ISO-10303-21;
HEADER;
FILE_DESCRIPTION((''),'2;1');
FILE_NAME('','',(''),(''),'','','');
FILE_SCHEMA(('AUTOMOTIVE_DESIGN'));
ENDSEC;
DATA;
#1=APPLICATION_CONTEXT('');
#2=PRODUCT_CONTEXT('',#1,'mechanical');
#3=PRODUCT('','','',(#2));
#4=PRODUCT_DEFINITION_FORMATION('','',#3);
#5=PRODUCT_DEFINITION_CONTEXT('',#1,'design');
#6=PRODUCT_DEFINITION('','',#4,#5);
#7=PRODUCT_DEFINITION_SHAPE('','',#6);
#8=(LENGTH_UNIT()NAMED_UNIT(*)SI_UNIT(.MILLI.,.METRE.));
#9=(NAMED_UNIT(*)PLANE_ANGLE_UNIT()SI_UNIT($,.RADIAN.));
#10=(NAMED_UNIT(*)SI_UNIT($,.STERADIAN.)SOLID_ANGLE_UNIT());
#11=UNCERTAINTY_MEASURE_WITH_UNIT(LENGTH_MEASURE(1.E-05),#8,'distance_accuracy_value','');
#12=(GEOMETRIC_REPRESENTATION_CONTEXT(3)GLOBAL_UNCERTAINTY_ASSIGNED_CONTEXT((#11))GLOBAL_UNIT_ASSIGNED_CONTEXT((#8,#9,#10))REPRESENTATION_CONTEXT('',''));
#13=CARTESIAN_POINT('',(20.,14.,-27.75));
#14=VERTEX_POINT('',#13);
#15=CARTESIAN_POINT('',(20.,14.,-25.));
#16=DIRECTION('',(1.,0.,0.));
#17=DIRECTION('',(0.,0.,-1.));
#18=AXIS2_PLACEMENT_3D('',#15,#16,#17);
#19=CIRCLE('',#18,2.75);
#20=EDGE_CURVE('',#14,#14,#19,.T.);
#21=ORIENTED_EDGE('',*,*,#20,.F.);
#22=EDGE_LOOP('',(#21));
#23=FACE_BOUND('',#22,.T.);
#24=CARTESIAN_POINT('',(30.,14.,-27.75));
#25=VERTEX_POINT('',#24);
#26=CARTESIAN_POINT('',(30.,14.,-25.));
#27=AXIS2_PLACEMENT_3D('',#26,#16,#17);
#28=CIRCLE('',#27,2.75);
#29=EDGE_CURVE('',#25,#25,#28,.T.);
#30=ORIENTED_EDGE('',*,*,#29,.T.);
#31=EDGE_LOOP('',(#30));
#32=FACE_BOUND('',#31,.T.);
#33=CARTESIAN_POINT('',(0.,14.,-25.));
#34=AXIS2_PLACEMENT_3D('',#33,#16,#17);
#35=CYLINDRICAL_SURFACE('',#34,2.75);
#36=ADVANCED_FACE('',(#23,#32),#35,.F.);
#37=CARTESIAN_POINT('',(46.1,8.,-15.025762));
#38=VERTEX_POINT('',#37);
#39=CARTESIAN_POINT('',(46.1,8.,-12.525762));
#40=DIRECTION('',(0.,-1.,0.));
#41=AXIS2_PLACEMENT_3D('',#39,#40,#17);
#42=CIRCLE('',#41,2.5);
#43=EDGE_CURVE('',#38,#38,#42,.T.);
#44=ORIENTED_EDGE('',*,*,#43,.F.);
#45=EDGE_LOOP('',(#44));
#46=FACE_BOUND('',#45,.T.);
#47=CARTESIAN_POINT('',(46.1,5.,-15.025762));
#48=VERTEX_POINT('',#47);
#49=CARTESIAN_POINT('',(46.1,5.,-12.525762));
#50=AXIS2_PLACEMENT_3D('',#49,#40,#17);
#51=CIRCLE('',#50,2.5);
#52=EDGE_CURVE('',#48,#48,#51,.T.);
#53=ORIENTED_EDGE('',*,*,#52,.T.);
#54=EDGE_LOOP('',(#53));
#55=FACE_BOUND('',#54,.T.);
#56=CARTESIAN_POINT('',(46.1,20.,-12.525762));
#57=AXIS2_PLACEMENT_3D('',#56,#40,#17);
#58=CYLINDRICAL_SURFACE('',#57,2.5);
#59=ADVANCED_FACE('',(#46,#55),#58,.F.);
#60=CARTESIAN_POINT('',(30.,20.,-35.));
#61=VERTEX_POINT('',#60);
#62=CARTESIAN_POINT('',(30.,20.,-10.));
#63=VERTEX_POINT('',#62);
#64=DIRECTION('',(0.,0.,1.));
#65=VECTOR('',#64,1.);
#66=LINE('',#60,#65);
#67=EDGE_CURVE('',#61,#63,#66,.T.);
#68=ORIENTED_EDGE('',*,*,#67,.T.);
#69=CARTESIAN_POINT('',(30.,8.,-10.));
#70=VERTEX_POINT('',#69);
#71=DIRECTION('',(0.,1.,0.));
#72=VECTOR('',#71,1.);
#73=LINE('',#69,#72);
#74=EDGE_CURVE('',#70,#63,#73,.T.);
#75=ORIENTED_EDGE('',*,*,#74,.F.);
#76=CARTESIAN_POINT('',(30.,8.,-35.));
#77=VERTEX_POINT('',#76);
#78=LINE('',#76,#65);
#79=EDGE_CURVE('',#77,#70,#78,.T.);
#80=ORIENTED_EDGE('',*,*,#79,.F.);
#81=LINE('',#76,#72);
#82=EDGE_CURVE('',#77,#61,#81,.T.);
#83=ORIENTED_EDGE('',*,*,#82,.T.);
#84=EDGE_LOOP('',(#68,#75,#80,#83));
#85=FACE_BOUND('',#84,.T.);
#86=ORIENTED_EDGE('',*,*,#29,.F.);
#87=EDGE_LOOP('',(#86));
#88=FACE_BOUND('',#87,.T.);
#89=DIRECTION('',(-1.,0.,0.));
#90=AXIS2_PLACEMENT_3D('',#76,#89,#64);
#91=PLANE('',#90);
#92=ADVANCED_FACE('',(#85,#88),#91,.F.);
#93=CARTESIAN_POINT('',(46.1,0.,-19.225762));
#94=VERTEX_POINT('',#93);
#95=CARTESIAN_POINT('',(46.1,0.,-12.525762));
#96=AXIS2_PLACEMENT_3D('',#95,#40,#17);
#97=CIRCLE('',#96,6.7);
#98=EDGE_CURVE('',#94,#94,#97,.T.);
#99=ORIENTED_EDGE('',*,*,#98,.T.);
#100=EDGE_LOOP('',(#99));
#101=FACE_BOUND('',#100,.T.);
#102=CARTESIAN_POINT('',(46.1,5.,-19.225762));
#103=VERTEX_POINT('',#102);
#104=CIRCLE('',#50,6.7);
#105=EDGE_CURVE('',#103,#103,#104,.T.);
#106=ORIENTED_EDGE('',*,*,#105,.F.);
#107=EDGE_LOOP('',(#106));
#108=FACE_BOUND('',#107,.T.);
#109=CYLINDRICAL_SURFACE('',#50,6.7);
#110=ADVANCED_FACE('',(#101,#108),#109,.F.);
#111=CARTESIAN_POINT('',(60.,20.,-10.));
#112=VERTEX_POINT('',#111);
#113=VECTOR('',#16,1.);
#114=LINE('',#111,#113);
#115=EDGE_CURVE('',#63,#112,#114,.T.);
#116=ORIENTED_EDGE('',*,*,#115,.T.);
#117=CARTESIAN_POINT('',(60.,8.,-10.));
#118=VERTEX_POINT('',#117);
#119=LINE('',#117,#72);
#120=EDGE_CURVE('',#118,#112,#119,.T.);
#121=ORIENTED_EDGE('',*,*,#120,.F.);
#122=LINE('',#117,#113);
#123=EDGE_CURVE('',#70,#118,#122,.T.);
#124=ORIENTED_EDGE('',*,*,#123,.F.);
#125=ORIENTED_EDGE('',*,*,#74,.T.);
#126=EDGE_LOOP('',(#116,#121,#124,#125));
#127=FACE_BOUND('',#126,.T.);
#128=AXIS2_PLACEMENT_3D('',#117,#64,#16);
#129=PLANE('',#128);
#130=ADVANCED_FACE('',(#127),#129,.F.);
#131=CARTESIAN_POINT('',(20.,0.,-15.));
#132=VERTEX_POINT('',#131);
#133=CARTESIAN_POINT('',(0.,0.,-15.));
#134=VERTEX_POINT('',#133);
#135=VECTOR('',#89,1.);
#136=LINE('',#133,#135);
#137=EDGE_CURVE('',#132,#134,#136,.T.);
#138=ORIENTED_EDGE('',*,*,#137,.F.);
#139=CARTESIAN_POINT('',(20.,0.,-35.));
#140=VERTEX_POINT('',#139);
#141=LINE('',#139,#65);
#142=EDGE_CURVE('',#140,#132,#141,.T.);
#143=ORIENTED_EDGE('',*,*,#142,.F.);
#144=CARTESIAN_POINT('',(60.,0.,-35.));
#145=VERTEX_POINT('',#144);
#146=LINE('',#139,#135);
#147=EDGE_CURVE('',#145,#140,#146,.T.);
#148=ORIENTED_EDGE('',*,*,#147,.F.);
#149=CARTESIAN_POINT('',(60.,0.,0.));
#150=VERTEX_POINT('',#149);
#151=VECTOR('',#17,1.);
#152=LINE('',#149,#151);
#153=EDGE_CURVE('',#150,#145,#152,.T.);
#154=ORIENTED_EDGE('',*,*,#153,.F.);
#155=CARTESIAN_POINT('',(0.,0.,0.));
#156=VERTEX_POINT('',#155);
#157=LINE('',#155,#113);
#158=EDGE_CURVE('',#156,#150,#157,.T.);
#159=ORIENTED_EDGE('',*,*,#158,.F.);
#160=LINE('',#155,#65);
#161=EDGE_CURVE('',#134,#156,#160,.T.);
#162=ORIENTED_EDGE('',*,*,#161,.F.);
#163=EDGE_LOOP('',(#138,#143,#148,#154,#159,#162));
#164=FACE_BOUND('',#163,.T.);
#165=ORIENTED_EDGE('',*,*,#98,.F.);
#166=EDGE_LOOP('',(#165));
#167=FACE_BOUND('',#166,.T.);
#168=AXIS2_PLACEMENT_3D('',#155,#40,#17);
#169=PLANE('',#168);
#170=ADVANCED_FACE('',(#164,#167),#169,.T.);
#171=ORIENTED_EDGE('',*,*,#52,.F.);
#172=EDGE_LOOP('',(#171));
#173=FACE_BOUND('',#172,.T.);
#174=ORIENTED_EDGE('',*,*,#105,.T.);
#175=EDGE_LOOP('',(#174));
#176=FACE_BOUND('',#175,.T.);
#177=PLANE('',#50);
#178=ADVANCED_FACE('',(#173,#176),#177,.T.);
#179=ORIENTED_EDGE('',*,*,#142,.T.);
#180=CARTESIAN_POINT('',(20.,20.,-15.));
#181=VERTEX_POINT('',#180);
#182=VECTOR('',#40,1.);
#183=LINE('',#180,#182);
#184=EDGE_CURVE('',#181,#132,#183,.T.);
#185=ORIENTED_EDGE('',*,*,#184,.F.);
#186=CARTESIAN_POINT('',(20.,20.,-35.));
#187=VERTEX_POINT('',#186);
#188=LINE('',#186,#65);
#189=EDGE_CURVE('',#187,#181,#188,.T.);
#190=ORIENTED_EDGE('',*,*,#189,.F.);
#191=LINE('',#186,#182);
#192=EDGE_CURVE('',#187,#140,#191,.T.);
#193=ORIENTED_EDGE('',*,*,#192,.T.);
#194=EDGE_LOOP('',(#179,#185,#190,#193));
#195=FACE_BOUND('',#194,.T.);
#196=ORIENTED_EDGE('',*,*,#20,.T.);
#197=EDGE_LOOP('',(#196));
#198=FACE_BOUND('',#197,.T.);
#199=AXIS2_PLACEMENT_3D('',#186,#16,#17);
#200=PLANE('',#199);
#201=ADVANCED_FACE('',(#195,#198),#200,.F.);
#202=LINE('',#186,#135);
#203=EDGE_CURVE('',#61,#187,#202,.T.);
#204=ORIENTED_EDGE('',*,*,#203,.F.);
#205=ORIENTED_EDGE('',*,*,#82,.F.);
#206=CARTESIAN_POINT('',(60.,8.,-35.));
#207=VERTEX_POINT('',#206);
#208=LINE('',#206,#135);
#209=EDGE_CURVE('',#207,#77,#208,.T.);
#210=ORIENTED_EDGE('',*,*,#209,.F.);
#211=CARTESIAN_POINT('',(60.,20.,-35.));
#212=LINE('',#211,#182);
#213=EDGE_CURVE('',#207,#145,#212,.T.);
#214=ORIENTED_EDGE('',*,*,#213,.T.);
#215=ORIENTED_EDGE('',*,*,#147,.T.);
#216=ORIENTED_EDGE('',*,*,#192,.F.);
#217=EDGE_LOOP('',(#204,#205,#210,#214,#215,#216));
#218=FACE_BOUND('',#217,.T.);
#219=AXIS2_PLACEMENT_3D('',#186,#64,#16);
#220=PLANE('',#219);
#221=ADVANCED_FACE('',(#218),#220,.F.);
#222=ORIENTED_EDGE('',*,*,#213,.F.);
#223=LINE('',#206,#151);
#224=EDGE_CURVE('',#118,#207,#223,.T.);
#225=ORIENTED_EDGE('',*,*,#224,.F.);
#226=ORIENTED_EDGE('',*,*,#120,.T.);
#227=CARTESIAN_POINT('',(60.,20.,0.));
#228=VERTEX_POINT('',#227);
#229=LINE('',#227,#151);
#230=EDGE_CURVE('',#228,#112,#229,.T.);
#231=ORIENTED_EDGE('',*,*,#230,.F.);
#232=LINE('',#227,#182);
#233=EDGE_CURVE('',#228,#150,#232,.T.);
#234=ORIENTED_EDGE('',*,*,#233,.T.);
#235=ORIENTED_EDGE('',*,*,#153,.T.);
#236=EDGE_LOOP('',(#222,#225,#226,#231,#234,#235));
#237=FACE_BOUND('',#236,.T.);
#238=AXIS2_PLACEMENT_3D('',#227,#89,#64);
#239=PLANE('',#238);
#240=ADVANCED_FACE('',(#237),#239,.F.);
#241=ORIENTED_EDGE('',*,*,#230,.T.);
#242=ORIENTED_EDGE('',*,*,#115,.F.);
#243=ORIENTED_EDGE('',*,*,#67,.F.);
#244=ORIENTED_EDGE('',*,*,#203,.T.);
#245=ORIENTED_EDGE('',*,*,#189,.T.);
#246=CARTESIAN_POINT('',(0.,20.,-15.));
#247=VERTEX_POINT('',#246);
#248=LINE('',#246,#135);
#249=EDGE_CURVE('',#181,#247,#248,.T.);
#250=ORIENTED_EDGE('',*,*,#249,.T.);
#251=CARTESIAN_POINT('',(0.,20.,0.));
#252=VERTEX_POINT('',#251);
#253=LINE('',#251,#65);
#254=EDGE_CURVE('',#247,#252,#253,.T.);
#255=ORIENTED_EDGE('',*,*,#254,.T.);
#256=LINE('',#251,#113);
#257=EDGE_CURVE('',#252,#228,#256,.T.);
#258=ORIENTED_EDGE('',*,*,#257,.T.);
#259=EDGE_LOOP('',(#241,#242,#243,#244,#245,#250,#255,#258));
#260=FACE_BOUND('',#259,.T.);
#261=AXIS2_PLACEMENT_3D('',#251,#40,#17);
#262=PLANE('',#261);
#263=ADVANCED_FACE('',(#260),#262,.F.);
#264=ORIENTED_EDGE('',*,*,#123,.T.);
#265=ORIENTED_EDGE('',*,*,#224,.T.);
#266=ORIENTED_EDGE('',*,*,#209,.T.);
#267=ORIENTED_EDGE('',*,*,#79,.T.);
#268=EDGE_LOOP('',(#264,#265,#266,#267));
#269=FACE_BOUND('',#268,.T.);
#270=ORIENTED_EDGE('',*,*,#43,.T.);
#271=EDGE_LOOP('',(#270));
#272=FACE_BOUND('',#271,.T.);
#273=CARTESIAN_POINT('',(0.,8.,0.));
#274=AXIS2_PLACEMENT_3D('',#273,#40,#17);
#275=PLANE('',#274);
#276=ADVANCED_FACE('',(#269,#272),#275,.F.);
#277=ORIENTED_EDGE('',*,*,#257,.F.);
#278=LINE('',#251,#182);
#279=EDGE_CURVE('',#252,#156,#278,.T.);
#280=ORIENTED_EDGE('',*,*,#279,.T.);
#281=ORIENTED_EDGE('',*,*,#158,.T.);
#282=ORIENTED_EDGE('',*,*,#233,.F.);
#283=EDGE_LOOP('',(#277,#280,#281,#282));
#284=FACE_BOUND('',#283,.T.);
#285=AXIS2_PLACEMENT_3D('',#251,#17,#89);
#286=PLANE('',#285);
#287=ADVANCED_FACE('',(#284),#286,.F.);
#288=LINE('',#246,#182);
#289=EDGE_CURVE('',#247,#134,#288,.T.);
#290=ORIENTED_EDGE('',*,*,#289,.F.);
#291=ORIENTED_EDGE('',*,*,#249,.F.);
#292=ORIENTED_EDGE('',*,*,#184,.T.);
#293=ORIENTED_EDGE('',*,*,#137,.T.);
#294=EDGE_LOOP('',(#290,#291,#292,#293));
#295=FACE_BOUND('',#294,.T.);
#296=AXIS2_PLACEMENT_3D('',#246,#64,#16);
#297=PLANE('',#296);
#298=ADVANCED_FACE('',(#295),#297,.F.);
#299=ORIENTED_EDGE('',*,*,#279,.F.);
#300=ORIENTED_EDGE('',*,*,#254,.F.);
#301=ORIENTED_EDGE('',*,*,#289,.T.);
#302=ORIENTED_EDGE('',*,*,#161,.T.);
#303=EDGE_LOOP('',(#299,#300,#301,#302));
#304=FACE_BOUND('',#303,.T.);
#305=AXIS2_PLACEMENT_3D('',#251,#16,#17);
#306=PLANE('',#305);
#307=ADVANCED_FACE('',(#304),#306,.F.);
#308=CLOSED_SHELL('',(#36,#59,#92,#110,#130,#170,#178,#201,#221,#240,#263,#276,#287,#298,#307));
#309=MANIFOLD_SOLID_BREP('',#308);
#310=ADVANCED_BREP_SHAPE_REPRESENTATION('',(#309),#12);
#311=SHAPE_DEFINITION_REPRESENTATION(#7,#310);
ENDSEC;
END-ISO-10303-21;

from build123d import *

# Parameters (mm, degrees)
BOSS_EXTRUDE1_DEPTH = 20
SKETCH2_W           = 30
SKETCH2_H           = 25
CUT_EXTRUDE1_DEPTH  = 12
SKETCH5_R           = 2.75
CUT_EXTRUDE4_DEPTH  = 31
SKETCH6_R           = 6.7
CUT_EXTRUDE5_DEPTH  = 5
SKETCH7_R           = 2.5
CUT_EXTRUDE6_DEPTH  = 16


with BuildPart() as part:
    # Sketch1 → Boss-Extrude1 (new body)
    with BuildSketch(Plane(origin=(0, 0, 0), x_dir=(1, 0, 0), z_dir=(0, 1, 0))):
        Polygon((0, 0), (60, 0), (60, 35), (20, 35), (20, 15), (0, 15), align=None)
    extrude(amount=BOSS_EXTRUDE1_DEPTH)

    # Sketch2 → Cut-Extrude1 (cut)
    with BuildSketch(Plane(origin=(0, 20, 0), x_dir=(1, 0, 0), z_dir=(0, 1, 0))):
        with Locations((45, 22.5)):
            Rectangle(SKETCH2_W, SKETCH2_H)
    extrude(amount=-CUT_EXTRUDE1_DEPTH, mode=Mode.SUBTRACT)

    # Sketch5 → Cut-Extrude4 (cut, through all)
    with BuildSketch(Plane(origin=(30, 0, 0), x_dir=(0, 0, -1), z_dir=(1, 0, 0))):
        with Locations((25, 14)):
            Circle(SKETCH5_R)
    extrude(amount=-CUT_EXTRUDE4_DEPTH, mode=Mode.SUBTRACT)

    # Sketch6 → Cut-Extrude5 (cut)
    with BuildSketch(Plane.XZ):
        with Locations((46.1, -12.525762493)):
            Circle(SKETCH6_R)
    extrude(amount=-CUT_EXTRUDE5_DEPTH, mode=Mode.SUBTRACT)

    # Sketch7 → Cut-Extrude6 (cut, through all)
    with BuildSketch(Plane.XZ.offset(-5)):
        with Locations((46.1, -12.525762493)):
            Circle(SKETCH7_R)
    extrude(amount=-CUT_EXTRUDE6_DEPTH, mode=Mode.SUBTRACT)


solid = part.part
